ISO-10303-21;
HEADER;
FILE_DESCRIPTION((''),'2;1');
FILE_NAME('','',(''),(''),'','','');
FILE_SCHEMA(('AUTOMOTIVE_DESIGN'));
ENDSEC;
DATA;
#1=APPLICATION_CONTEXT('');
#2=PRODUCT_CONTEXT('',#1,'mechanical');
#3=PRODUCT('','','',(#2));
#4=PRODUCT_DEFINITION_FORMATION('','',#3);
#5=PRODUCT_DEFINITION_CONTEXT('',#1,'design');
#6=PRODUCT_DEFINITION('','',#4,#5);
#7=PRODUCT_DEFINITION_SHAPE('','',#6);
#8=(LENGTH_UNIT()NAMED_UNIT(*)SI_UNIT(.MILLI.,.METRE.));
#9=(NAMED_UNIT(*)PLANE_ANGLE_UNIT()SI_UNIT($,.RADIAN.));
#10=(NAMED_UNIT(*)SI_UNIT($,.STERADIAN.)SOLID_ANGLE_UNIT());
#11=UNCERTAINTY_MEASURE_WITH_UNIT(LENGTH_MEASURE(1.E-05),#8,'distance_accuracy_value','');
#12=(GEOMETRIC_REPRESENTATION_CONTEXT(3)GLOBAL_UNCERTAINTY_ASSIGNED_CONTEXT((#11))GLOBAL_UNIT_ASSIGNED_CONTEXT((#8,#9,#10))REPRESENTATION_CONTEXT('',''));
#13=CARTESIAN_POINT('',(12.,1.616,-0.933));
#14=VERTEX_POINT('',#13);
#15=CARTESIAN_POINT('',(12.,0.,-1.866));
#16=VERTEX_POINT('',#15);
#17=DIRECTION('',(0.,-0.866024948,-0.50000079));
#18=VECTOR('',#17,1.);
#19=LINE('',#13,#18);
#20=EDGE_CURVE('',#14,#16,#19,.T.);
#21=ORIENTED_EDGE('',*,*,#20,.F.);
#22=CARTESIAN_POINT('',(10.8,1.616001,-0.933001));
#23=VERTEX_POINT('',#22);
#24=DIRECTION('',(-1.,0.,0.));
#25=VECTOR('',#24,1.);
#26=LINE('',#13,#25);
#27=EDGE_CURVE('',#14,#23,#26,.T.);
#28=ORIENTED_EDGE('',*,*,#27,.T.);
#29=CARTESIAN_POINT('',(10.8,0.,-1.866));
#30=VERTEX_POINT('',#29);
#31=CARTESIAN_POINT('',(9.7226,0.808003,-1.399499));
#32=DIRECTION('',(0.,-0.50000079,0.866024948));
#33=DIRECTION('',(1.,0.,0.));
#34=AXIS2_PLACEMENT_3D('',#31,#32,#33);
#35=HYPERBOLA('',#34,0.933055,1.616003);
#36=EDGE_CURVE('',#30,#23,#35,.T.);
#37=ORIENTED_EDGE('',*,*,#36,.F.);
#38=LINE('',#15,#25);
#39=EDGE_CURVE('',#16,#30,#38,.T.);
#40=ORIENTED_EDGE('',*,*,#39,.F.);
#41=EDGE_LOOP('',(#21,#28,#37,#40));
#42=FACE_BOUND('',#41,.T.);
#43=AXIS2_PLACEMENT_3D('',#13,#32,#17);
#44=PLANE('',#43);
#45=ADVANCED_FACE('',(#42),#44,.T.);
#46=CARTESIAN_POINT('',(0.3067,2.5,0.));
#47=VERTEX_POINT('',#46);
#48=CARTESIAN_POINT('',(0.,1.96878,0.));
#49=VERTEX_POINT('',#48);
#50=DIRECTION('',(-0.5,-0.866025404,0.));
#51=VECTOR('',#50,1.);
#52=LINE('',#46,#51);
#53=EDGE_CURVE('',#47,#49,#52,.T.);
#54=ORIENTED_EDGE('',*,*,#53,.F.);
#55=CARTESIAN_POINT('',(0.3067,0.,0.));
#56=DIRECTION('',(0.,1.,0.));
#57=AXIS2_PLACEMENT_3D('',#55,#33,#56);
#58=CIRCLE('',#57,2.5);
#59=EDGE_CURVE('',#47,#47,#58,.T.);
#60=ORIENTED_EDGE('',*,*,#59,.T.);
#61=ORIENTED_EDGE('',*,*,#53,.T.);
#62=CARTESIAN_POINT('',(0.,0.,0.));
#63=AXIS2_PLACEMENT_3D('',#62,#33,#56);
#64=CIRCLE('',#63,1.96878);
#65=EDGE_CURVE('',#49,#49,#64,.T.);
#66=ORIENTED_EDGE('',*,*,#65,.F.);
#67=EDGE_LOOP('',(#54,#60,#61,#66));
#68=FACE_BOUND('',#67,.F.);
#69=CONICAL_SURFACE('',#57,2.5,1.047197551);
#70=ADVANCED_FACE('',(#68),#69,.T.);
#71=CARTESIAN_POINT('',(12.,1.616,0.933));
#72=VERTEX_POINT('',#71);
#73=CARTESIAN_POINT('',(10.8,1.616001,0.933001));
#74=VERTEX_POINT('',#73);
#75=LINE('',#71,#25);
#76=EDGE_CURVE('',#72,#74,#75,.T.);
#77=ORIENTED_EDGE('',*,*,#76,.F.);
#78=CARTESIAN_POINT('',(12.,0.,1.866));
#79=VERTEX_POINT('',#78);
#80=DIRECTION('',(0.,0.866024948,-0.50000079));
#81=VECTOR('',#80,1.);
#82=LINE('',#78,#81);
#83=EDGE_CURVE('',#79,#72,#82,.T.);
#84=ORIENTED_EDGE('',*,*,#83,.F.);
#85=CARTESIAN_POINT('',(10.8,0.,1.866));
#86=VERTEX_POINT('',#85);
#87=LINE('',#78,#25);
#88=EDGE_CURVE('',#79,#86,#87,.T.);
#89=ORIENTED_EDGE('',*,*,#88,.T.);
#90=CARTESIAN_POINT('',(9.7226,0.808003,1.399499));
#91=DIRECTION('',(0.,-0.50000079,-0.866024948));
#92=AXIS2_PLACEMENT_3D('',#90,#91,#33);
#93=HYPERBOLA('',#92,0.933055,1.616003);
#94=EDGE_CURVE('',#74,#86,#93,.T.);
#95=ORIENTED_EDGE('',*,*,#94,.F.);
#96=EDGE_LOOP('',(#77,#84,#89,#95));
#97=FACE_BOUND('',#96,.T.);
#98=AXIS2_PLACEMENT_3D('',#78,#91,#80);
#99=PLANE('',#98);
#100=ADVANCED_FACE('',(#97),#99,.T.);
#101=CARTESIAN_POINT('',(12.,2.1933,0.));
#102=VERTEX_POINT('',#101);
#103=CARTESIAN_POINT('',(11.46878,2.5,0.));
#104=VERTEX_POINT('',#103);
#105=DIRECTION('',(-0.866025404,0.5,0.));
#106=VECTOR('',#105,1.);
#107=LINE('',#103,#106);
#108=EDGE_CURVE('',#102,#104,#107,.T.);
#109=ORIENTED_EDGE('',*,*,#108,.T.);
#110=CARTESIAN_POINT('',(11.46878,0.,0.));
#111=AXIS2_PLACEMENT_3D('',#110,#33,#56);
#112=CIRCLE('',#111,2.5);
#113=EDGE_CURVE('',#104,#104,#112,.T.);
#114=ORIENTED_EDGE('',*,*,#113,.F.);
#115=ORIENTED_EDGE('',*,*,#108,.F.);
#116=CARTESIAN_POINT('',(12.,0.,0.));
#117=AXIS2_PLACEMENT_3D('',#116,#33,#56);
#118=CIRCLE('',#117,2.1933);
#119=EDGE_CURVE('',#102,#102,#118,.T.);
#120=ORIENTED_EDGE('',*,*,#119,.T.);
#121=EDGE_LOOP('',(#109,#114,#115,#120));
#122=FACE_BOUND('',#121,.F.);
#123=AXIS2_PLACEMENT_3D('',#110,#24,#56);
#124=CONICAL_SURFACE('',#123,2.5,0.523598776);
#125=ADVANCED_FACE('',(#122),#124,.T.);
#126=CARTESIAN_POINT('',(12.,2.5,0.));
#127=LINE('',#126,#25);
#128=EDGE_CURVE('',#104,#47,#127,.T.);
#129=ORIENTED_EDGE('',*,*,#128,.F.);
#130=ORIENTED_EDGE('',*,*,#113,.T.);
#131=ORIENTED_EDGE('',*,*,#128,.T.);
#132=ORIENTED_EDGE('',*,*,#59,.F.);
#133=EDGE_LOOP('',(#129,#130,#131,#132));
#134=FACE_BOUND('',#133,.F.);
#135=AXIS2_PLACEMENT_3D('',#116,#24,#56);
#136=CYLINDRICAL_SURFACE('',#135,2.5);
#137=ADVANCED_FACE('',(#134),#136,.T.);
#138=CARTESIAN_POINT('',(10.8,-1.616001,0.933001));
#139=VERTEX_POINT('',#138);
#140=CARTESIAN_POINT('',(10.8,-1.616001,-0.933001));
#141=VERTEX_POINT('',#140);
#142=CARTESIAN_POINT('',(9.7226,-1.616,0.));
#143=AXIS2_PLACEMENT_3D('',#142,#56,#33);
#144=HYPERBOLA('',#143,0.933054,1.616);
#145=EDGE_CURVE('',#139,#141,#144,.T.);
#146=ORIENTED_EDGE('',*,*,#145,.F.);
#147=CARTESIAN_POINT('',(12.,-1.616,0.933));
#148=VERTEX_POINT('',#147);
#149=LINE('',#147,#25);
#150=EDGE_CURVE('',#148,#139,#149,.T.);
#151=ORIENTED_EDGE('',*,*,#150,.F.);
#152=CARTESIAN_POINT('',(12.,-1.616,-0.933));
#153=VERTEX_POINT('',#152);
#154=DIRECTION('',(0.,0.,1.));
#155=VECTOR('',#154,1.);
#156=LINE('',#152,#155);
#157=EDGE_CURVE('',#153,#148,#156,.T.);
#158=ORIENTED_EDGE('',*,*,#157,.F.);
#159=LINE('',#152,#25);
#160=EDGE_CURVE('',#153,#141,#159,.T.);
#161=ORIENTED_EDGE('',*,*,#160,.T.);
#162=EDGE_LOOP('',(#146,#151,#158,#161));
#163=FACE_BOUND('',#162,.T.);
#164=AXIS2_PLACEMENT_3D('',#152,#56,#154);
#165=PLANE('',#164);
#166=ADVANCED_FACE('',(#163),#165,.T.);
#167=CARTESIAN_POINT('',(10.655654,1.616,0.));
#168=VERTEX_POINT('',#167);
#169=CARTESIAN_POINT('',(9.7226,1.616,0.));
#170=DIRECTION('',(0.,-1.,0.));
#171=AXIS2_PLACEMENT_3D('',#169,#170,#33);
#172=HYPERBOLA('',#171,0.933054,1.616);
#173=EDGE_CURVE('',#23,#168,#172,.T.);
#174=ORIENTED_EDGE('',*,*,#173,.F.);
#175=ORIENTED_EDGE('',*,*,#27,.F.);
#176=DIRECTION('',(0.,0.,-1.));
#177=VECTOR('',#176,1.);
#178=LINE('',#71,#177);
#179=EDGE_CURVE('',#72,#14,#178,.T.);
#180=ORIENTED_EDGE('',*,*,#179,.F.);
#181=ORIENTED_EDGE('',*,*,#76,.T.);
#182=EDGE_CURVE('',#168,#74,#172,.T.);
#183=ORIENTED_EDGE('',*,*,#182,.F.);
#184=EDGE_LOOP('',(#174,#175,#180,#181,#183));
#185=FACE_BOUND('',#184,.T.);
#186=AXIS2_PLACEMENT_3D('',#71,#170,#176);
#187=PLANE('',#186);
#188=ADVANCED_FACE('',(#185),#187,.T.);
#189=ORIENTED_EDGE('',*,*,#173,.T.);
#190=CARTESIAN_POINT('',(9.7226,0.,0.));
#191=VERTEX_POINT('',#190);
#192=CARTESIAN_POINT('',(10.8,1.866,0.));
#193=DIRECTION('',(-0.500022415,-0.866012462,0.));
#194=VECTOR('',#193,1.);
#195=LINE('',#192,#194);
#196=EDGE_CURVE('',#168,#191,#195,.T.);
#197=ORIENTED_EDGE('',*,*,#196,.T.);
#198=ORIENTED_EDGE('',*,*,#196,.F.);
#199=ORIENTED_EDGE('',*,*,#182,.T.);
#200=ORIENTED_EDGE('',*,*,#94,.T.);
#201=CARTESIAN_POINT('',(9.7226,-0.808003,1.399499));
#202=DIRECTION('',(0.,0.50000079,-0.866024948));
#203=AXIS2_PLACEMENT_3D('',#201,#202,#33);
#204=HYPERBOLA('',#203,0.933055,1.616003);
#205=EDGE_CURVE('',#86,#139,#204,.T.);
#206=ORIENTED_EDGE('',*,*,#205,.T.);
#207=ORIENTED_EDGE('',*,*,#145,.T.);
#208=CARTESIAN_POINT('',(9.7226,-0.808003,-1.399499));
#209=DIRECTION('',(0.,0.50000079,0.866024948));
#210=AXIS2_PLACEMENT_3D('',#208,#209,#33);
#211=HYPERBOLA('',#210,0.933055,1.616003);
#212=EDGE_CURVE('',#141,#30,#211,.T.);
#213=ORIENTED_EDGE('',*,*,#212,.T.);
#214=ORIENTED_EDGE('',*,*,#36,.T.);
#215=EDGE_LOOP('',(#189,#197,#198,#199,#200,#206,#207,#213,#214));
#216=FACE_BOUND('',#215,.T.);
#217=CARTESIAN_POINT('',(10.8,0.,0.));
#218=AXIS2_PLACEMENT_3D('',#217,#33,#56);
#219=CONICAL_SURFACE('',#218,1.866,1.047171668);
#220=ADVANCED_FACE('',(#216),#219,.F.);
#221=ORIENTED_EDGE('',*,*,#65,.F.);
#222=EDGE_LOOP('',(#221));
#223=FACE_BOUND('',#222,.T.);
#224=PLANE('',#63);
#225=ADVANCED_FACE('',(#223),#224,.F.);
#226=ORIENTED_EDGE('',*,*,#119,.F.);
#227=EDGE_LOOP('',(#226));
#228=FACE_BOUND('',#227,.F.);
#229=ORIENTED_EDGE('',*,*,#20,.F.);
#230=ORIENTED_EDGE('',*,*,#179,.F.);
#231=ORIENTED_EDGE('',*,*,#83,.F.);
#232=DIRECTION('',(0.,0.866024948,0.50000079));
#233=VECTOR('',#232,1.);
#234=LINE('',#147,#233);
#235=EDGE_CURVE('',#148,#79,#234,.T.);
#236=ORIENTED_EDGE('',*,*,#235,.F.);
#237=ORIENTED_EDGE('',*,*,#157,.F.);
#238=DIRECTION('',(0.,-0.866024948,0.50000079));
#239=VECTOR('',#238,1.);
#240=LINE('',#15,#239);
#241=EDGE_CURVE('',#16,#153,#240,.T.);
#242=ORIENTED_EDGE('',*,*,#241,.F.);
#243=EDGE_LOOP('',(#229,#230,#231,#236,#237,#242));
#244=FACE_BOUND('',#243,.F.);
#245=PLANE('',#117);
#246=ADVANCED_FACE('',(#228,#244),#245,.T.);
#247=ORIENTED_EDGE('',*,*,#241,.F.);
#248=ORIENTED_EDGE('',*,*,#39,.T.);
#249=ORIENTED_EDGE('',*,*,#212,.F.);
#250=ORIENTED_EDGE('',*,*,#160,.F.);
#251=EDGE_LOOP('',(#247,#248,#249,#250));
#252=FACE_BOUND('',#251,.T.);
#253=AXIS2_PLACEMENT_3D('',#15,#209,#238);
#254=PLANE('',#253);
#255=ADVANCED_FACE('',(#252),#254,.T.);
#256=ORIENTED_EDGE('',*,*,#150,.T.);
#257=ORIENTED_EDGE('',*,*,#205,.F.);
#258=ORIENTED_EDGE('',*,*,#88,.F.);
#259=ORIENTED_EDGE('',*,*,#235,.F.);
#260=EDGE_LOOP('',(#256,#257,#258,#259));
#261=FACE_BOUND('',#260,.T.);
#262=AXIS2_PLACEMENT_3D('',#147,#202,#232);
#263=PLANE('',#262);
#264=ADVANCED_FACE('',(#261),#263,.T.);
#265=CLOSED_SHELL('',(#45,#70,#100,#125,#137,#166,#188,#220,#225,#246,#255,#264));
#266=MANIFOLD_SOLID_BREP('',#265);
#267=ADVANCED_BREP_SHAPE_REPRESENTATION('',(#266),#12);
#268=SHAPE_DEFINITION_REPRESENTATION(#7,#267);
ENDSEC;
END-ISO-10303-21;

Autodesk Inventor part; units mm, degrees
ref_plane "YZ Plane" through (0, 0, 0) normal (1, 0, 0) x (0, 1, 0)
ref_plane "XZ Plane" through (0, 0, 0) normal (0, 1, 0) x (-1, 0, 0)
sketch "Sketch1" plane through (0, 0, 0) normal (0, 0, 1) x (1, 0, 0)
  line L0 (0, 0) -> (9.7226, 0)
  line L1 (12, 1.866) -> (12, 2.5)
  line L2 (12, 2.5) -> (0, 2.5)
  line L3 (12, 1.866) -> (10.8, 1.866)
  line L4 (10.8, 1.866) -> (9.7226, 0)
  line L5 (0, -0.5) -> (0, 3) projected
  line L6 (0, 2.5) -> (0, 0)
  dimension "d0" = 1.2
  dimension "d1" = 60
  dimension "d2" = 5
  dimension "d3" = 3.7321
  dimension "d5" = 12
revolve "Body" add sketch "Sketch1" angle 360 about axis through (0, 0, 0) along (1, 0, 0)
chamfer "Chamfer1" distance 0.3067 angle 60 1 edges at (12, -2.5, 0) measured on face at (12, 2.2645, -0.1994)
sketch "Sketch2" plane through (12, 0, 0) normal (1, 0, 0) x (0, 0, -1)
  circle A0 centre (0, 0) radius 1.866 projected
  line L0 (-0.933, 1.616) -> (0.933, 1.616)
  line L1 (0.933, 1.616) -> (1.866, 0)
  line L2 (1.866, 0) -> (0.933, -1.616)
  line L3 (0.933, -1.616) -> (-0.933, -1.616)
  line L4 (-0.933, -1.616) -> (-1.866, 0)
  line L5 (-1.866, 0) -> (-0.933, 1.616)
  point P0 (0, 0)
  point P1 (0, 0)
extrude "Slot" add sketch "Sketch2" against normal up to next contours L1 A0 | A0 L2 | L0 A0 | A0 L3 | L5 A0 | A0 L4
thread "Thread" size "M5x0.8" class "6g" standard "ISO Metric profile" length 12
chamfer "Chamfer2" distance 0.3067 angle 60 1 edges at (0, -2.5, 0) measured on face at (3.8229, 2.4919, -0.2012)
ref_plane "Work Plane1" through (6, 0, 0) normal (0, 0.5, 0.866) x (1, 0, 0)
equation "\"d0\" = INTI"
equation "\"d7\" = -0.5 * GD1 + 0.5 * NND"
equation "\"d8\" = FAWI"
equation "\"d29\" = -0.5 * GD1 + 0.5 * NND"
equation "\"d13\" = -0.5 * GD1 + 0.5 * NND"
equation "\"d14\" = FAWI"
equation "\"d30\" = -0.5 * GD1 + 0.5 * NND"
equation "\"NND\" = 3"
equation "\"NLG\" = 3"
equation "\"INTI\" = 1.2"
equation "\"FAWI\" = 60deg"
equation "\"SW\" = 1.5"
equation "\"GD1\" = THREADDIA - 1.2269 * PTC"
equation "\"FAWI1\" = 45deg"
equation "\"GUL\" = 0.61345 * PTC"
equation "\"SPD\" = 2"
equation "\"SEWI\" = 120deg"
equation "\"TOA\" = 30deg"
equation "\"THREADDIA\" = 3"
equation "\"PTC\" = 0.5"
equation "\"GAL\" = 0.61345 * PTC"
equation "\"E0\" = 1.155 * SW"
properties part number "Grub Screw 5x12mm" material "Stainless Steel, 440C"
